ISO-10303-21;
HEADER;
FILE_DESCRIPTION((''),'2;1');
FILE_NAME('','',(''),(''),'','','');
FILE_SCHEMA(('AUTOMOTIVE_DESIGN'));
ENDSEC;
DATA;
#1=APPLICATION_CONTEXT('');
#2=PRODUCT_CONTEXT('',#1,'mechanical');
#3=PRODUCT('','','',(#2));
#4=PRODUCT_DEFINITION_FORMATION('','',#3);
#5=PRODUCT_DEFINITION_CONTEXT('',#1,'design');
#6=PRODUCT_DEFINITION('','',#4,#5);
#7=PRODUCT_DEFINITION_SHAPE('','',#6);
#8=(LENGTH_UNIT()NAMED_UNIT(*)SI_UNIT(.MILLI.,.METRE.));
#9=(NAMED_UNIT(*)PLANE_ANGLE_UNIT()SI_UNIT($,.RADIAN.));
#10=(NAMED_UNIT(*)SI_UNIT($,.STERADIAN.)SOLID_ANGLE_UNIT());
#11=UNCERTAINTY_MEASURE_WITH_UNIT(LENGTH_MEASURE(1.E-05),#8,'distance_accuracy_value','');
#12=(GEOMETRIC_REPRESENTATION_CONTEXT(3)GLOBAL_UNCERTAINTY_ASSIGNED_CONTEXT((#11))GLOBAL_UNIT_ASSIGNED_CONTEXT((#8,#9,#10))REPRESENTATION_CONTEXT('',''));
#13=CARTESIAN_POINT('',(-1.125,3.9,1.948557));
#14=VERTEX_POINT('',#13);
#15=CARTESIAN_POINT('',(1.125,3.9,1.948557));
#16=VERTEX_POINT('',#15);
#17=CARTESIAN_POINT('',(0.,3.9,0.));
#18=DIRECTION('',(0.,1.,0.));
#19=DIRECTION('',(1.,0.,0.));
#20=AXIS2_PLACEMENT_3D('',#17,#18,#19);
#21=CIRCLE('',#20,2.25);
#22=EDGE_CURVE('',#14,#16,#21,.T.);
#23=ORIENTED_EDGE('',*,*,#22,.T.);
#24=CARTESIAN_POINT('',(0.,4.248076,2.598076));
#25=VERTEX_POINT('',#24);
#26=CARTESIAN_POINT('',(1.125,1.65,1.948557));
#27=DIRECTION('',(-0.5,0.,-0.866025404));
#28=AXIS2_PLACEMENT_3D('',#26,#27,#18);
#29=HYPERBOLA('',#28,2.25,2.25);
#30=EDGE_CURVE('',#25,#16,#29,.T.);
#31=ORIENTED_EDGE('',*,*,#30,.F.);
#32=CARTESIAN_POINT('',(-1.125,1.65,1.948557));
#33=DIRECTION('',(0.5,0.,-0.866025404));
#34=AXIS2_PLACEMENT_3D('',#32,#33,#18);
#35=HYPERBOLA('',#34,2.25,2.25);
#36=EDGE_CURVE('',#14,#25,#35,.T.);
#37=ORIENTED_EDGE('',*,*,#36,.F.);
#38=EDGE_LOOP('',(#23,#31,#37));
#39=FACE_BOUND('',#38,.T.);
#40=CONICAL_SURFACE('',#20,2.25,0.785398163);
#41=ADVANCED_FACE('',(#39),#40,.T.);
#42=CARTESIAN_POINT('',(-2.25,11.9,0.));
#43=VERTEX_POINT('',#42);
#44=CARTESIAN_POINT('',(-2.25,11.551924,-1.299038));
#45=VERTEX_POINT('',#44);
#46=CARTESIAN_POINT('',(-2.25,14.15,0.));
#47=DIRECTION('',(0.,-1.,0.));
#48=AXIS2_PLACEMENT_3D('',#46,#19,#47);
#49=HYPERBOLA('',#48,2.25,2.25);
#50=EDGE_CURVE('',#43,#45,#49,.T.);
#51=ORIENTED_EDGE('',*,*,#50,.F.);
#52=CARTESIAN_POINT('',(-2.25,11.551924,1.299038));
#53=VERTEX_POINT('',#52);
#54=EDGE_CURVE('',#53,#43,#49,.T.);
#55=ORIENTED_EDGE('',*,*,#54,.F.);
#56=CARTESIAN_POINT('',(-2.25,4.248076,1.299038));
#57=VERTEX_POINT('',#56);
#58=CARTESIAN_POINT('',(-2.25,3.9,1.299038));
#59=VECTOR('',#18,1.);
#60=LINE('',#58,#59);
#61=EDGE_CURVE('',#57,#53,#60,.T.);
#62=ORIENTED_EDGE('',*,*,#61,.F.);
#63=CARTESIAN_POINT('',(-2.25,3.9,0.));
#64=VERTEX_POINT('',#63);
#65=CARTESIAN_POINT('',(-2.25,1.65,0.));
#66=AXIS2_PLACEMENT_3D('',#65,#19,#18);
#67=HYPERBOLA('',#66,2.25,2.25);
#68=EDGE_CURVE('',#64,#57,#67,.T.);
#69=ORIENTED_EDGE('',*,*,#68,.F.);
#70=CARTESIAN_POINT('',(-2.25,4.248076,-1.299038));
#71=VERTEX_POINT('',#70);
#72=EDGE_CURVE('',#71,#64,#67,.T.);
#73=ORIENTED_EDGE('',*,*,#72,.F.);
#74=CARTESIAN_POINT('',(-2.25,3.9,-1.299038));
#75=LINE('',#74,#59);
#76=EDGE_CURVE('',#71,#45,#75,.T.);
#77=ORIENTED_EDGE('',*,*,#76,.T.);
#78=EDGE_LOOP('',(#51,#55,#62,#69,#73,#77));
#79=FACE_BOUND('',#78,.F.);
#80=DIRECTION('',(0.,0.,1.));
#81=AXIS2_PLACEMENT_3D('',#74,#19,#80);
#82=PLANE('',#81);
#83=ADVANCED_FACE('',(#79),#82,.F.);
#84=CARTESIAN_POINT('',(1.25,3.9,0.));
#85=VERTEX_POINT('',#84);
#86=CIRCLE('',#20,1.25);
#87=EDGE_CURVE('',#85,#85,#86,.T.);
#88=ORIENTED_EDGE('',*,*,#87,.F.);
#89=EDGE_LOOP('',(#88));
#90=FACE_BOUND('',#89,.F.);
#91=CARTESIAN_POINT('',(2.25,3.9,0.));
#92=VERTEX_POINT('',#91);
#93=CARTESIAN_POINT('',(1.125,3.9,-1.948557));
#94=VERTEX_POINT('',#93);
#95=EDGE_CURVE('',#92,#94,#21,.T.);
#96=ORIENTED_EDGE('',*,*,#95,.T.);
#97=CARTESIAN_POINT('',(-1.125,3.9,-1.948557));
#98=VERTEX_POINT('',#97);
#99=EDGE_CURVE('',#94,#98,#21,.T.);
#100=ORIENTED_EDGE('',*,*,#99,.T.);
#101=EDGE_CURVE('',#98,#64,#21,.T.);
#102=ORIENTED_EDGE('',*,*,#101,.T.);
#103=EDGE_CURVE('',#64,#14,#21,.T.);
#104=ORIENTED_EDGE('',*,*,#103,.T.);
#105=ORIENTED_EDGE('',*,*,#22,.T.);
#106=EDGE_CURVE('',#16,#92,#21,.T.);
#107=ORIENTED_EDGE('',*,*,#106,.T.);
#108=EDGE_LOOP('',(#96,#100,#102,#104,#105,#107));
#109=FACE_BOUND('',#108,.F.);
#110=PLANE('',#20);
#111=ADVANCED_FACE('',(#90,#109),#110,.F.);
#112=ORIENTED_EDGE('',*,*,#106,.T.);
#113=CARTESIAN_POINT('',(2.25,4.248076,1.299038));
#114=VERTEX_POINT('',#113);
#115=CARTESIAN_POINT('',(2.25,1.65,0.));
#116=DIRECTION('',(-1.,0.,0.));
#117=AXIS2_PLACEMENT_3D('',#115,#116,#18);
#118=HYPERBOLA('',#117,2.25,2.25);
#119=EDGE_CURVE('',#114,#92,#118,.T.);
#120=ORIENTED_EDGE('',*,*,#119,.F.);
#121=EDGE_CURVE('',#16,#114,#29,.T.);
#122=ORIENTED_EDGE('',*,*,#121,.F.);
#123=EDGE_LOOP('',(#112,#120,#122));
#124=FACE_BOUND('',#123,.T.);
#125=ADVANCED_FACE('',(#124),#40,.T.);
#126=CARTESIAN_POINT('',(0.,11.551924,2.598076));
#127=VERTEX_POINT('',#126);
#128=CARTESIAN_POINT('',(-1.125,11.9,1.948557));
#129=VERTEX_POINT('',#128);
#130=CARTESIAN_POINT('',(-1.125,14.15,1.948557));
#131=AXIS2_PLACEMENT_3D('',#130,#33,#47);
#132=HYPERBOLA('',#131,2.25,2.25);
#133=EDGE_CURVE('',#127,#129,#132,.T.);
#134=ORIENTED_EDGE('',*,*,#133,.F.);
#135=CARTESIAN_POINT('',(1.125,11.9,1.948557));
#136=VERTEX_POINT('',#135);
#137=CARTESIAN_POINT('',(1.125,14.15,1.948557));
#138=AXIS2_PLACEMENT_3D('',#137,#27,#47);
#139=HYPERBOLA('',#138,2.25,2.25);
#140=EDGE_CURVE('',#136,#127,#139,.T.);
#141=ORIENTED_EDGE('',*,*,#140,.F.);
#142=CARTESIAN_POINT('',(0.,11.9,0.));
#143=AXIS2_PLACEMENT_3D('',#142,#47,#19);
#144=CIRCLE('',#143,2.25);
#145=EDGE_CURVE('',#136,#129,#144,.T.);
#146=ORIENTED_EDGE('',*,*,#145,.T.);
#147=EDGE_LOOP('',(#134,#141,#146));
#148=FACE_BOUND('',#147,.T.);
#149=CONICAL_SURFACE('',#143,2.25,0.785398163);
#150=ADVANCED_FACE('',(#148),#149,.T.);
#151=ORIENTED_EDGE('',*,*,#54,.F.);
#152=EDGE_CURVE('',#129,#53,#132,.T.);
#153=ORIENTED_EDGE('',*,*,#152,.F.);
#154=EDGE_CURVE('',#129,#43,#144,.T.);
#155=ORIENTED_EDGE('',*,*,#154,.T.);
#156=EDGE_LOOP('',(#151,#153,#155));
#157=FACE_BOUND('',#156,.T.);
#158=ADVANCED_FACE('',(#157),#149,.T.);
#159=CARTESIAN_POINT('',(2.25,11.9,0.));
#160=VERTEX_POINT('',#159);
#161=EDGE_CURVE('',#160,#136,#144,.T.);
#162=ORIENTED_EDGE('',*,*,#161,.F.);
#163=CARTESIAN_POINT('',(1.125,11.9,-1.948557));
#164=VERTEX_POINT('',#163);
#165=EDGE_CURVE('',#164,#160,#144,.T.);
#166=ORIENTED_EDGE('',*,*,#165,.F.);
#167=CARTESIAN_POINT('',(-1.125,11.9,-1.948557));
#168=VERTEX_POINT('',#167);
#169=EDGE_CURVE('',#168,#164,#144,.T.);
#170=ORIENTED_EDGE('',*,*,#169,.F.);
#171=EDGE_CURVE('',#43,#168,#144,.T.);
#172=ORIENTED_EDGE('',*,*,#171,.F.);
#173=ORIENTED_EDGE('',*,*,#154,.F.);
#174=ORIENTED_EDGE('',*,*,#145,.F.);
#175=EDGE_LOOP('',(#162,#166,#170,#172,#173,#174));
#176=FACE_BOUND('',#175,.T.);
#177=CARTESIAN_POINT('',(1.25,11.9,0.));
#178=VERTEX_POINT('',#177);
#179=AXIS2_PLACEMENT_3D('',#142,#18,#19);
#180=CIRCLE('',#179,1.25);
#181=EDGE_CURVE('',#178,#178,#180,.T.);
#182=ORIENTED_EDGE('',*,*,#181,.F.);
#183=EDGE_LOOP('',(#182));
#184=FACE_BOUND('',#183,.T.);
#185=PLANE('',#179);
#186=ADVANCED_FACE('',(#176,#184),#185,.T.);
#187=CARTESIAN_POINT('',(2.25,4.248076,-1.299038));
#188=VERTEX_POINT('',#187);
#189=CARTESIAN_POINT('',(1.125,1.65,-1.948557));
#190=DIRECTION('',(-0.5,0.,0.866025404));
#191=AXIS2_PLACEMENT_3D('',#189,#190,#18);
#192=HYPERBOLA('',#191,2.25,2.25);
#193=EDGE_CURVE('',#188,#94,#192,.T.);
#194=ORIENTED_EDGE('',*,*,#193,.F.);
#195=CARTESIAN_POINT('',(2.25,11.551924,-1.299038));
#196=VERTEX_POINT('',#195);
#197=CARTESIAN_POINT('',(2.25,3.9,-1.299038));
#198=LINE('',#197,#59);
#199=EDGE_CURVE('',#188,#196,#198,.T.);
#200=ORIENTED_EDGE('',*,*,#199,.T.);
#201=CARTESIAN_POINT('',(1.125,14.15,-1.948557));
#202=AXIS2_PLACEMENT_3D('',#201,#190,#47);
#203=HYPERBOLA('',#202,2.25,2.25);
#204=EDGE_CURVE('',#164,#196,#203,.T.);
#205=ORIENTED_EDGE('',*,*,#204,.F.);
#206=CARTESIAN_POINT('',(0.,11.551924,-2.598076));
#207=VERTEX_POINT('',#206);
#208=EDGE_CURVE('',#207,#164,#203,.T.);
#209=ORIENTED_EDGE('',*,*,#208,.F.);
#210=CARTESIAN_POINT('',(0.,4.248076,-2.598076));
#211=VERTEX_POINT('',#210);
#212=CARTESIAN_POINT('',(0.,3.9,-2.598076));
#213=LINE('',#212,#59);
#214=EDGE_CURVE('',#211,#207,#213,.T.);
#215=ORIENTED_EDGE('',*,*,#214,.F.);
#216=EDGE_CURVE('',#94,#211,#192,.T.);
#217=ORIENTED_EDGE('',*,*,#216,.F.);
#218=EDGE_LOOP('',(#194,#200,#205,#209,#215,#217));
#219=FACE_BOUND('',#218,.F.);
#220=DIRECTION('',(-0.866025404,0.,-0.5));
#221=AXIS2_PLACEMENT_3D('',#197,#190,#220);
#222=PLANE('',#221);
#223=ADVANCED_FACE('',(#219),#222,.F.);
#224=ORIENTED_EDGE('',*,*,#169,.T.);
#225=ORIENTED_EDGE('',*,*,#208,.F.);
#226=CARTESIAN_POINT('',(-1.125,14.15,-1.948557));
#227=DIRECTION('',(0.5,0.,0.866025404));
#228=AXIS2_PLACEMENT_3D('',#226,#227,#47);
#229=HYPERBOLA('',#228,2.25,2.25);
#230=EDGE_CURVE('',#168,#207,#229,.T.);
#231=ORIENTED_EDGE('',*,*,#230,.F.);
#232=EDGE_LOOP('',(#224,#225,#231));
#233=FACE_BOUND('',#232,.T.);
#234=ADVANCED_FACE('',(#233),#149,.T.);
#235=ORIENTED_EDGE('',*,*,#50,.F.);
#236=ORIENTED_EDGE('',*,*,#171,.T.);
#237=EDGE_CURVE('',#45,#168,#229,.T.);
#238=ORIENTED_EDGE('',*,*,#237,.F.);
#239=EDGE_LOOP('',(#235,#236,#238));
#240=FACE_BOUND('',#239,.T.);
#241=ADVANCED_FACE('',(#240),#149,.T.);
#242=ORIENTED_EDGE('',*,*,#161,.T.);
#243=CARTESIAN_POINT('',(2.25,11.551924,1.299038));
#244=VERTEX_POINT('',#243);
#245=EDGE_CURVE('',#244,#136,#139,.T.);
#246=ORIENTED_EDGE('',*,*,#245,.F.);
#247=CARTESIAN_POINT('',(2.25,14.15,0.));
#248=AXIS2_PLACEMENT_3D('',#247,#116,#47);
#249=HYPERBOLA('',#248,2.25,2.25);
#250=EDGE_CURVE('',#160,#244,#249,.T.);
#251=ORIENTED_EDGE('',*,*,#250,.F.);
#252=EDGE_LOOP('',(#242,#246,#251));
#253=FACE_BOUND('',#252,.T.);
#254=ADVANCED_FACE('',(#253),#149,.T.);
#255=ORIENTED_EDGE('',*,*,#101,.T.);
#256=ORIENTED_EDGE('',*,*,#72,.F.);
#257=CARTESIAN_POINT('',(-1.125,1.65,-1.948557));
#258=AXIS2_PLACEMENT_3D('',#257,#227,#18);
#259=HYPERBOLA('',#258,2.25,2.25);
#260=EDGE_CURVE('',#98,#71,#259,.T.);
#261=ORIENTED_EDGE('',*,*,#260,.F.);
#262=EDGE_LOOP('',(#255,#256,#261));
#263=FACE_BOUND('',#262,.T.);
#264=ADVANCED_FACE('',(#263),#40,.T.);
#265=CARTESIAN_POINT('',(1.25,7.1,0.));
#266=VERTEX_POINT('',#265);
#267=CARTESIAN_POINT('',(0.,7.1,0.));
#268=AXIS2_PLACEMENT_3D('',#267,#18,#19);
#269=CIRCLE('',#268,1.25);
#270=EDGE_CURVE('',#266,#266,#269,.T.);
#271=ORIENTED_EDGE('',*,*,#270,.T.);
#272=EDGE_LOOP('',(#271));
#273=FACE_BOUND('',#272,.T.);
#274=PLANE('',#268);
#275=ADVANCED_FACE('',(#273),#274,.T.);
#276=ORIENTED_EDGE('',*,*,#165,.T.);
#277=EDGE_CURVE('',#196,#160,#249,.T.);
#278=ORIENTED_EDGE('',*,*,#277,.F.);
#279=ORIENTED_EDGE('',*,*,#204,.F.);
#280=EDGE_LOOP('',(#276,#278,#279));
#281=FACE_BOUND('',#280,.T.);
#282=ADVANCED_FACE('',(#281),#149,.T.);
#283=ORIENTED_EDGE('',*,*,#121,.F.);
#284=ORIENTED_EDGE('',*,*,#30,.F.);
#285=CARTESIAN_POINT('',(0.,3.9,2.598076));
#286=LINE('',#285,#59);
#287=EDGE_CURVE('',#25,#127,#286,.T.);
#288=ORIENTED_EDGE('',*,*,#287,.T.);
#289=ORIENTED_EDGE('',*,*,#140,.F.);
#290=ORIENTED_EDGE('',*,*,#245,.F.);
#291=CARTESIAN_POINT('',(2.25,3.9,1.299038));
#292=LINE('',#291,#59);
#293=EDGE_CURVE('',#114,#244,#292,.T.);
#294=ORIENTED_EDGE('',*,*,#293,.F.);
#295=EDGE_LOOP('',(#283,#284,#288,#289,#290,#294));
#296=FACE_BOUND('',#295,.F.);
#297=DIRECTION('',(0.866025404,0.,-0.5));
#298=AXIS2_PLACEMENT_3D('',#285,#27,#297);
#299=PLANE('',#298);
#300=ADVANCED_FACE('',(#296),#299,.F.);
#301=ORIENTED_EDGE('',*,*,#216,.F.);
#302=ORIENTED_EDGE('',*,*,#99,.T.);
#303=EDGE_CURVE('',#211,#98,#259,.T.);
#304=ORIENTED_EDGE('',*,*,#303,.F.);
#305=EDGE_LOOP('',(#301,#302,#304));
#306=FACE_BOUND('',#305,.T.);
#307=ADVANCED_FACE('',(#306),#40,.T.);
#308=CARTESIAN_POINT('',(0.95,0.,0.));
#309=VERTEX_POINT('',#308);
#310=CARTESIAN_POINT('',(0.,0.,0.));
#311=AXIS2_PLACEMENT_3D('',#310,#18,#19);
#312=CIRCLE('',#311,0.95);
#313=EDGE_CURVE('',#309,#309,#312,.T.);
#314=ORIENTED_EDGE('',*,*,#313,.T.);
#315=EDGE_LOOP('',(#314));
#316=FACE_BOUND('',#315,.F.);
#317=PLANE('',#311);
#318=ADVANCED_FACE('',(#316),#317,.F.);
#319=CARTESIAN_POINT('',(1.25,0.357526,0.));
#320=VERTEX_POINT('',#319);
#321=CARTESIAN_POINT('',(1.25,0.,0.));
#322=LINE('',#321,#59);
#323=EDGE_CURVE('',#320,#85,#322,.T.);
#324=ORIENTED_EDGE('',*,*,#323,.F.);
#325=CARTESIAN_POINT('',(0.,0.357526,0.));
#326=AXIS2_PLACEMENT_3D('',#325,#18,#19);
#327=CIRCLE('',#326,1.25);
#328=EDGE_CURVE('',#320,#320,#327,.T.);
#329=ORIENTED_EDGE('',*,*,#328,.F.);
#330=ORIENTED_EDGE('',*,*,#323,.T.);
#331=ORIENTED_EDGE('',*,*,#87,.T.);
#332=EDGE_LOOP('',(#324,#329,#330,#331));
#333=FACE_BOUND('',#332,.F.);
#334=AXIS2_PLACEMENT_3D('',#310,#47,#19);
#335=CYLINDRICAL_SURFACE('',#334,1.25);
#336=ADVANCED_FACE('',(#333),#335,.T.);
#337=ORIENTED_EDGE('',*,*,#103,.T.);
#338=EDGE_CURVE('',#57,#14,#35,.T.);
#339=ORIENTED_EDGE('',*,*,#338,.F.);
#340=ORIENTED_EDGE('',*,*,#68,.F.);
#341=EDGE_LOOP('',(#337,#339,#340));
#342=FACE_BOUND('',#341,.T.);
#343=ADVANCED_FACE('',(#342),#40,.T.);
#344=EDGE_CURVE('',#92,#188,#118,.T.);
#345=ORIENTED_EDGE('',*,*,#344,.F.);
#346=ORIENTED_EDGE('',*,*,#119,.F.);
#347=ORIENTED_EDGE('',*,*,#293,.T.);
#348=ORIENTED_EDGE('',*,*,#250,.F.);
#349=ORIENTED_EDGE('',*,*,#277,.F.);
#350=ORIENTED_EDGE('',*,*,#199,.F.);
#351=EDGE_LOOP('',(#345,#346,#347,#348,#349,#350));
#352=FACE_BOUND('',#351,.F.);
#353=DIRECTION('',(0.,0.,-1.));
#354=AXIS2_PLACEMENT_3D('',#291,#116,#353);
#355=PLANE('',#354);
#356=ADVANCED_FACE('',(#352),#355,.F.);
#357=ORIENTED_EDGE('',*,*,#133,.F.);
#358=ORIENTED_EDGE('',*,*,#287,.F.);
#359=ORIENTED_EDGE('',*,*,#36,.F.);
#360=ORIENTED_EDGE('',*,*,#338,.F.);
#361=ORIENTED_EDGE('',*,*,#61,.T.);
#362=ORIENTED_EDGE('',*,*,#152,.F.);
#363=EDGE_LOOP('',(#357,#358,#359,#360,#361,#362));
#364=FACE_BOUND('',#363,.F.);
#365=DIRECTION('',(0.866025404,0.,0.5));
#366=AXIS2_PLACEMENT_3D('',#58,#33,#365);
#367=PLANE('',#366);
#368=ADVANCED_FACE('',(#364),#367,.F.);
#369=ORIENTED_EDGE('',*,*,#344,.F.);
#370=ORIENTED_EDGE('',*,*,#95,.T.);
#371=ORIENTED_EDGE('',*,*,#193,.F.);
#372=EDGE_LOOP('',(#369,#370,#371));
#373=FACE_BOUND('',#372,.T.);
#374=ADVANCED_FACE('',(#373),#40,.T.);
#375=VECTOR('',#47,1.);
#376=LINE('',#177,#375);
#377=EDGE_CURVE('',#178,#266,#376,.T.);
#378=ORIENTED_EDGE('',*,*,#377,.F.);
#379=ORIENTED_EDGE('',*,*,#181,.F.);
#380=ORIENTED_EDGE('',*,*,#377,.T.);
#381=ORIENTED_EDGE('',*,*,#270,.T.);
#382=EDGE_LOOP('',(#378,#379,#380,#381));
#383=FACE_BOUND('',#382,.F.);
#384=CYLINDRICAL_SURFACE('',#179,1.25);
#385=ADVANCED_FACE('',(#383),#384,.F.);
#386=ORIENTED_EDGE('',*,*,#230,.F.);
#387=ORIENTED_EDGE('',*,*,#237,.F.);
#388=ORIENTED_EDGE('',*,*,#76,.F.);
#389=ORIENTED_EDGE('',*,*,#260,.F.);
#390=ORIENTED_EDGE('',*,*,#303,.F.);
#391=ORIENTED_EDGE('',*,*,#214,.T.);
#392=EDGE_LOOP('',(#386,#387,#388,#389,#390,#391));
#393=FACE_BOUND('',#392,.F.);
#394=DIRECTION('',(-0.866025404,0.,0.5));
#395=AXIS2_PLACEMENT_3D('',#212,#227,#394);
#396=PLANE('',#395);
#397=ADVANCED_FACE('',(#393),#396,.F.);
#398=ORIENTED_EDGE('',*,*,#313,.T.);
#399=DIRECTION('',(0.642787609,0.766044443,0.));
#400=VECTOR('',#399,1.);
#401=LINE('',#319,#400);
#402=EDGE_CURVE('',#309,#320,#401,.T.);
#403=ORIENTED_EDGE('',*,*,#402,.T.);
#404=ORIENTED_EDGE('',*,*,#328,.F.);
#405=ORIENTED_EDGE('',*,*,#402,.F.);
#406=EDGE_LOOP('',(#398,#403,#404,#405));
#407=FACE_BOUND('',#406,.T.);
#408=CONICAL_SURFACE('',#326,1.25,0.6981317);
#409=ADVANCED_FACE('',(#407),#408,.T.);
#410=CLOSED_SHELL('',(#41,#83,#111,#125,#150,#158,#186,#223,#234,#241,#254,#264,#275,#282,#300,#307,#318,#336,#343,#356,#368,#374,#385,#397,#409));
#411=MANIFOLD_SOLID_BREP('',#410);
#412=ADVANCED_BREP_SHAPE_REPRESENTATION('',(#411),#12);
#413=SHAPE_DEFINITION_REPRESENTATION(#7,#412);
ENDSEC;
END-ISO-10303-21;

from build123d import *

# Parameters (mm, degrees)
SKETCH2_R           = 1.25
BOSS_EXTRUDE1_DEPTH = 3.9
BOSS_EXTRUDE2_DEPTH = 8
SKETCH4_R           = 1.25
CUT_EXTRUDE1_DEPTH  = 4.8
SKETCH5_OUTSIDE_W   = 35.048
SKETCH5_OUTSIDE_H   = 35.744
SKETCH5_OUTSIDE_R   = 2.25
CUT_EXTRUDE4_DEPTH  = 12.9
CUT_EXTRUDE4_TAPER  = 45
SKETCH6_OUTSIDE_W   = 27.248
SKETCH6_OUTSIDE_H   = 27.944
SKETCH6_OUTSIDE_R   = 2.25
CUT_EXTRUDE5_DEPTH  = 9
CUT_EXTRUDE5_TAPER  = 45
CHAMFER1_SIZE       = 0.3
CHAMFER1_SIZE2      = 0.357526078


with BuildPart() as part:
    # Sketch2 → Boss-Extrude1 (new body)
    with BuildSketch(Plane(origin=(0, 0, 0), x_dir=(1, 0, 0), z_dir=(0, 1, 0))):
        Circle(SKETCH2_R)
    extrude(amount=BOSS_EXTRUDE1_DEPTH)

    # Sketch3 → Boss-Extrude2 (add)
    with BuildSketch(Plane(origin=(0, 3.9, 0), x_dir=(1, 0, 0), z_dir=(0, 1, 0))):
        Polygon((0, -2.598076211), (2.25, -1.299038106), (2.25, 1.299038106), (0, 2.598076211), (-2.25, 1.299038106), (-2.25, -1.299038106), align=None)
    extrude(amount=BOSS_EXTRUDE2_DEPTH)

    # Sketch4 → Cut-Extrude1 (cut)
    with BuildSketch(Plane(origin=(0, 11.9, 0), x_dir=(1, 0, 0), z_dir=(0, 1, 0))):
        Circle(SKETCH4_R)
    extrude(amount=-CUT_EXTRUDE1_DEPTH, mode=Mode.SUBTRACT)

    # Sketch5 outside → Cut-Extrude4 (cut, through all)
    with BuildSketch(Plane(origin=(0, 11.9, 0), x_dir=(1, 0, 0), z_dir=(0, 1, 0))):
        Rectangle(SKETCH5_OUTSIDE_W, SKETCH5_OUTSIDE_H)
        Circle(SKETCH5_OUTSIDE_R, mode=Mode.SUBTRACT)
    extrude(amount=-CUT_EXTRUDE4_DEPTH, taper=CUT_EXTRUDE4_TAPER, mode=Mode.SUBTRACT)

    # Sketch6 outside → Cut-Extrude5 (cut, through all)
    with BuildSketch(Plane.XZ.offset(-3.9)):
        Rectangle(SKETCH6_OUTSIDE_W, SKETCH6_OUTSIDE_H)
        Circle(SKETCH6_OUTSIDE_R, mode=Mode.SUBTRACT)
    extrude(amount=-CUT_EXTRUDE5_DEPTH, taper=CUT_EXTRUDE5_TAPER, mode=Mode.SUBTRACT)

    # Chamfer1
    chamfer1_edges = [part.edges().sort_by_distance(p)[0] for p in [
        (-1.25, 0, 0),
    ]]
    chamfer1_side = [part.faces().sort_by_distance(p)[0] for p in [
        (0, 0, 0),
    ]]
    chamfer(chamfer1_edges, length=CHAMFER1_SIZE, length2=CHAMFER1_SIZE2, reference=chamfer1_side[0])


solid = part.part
